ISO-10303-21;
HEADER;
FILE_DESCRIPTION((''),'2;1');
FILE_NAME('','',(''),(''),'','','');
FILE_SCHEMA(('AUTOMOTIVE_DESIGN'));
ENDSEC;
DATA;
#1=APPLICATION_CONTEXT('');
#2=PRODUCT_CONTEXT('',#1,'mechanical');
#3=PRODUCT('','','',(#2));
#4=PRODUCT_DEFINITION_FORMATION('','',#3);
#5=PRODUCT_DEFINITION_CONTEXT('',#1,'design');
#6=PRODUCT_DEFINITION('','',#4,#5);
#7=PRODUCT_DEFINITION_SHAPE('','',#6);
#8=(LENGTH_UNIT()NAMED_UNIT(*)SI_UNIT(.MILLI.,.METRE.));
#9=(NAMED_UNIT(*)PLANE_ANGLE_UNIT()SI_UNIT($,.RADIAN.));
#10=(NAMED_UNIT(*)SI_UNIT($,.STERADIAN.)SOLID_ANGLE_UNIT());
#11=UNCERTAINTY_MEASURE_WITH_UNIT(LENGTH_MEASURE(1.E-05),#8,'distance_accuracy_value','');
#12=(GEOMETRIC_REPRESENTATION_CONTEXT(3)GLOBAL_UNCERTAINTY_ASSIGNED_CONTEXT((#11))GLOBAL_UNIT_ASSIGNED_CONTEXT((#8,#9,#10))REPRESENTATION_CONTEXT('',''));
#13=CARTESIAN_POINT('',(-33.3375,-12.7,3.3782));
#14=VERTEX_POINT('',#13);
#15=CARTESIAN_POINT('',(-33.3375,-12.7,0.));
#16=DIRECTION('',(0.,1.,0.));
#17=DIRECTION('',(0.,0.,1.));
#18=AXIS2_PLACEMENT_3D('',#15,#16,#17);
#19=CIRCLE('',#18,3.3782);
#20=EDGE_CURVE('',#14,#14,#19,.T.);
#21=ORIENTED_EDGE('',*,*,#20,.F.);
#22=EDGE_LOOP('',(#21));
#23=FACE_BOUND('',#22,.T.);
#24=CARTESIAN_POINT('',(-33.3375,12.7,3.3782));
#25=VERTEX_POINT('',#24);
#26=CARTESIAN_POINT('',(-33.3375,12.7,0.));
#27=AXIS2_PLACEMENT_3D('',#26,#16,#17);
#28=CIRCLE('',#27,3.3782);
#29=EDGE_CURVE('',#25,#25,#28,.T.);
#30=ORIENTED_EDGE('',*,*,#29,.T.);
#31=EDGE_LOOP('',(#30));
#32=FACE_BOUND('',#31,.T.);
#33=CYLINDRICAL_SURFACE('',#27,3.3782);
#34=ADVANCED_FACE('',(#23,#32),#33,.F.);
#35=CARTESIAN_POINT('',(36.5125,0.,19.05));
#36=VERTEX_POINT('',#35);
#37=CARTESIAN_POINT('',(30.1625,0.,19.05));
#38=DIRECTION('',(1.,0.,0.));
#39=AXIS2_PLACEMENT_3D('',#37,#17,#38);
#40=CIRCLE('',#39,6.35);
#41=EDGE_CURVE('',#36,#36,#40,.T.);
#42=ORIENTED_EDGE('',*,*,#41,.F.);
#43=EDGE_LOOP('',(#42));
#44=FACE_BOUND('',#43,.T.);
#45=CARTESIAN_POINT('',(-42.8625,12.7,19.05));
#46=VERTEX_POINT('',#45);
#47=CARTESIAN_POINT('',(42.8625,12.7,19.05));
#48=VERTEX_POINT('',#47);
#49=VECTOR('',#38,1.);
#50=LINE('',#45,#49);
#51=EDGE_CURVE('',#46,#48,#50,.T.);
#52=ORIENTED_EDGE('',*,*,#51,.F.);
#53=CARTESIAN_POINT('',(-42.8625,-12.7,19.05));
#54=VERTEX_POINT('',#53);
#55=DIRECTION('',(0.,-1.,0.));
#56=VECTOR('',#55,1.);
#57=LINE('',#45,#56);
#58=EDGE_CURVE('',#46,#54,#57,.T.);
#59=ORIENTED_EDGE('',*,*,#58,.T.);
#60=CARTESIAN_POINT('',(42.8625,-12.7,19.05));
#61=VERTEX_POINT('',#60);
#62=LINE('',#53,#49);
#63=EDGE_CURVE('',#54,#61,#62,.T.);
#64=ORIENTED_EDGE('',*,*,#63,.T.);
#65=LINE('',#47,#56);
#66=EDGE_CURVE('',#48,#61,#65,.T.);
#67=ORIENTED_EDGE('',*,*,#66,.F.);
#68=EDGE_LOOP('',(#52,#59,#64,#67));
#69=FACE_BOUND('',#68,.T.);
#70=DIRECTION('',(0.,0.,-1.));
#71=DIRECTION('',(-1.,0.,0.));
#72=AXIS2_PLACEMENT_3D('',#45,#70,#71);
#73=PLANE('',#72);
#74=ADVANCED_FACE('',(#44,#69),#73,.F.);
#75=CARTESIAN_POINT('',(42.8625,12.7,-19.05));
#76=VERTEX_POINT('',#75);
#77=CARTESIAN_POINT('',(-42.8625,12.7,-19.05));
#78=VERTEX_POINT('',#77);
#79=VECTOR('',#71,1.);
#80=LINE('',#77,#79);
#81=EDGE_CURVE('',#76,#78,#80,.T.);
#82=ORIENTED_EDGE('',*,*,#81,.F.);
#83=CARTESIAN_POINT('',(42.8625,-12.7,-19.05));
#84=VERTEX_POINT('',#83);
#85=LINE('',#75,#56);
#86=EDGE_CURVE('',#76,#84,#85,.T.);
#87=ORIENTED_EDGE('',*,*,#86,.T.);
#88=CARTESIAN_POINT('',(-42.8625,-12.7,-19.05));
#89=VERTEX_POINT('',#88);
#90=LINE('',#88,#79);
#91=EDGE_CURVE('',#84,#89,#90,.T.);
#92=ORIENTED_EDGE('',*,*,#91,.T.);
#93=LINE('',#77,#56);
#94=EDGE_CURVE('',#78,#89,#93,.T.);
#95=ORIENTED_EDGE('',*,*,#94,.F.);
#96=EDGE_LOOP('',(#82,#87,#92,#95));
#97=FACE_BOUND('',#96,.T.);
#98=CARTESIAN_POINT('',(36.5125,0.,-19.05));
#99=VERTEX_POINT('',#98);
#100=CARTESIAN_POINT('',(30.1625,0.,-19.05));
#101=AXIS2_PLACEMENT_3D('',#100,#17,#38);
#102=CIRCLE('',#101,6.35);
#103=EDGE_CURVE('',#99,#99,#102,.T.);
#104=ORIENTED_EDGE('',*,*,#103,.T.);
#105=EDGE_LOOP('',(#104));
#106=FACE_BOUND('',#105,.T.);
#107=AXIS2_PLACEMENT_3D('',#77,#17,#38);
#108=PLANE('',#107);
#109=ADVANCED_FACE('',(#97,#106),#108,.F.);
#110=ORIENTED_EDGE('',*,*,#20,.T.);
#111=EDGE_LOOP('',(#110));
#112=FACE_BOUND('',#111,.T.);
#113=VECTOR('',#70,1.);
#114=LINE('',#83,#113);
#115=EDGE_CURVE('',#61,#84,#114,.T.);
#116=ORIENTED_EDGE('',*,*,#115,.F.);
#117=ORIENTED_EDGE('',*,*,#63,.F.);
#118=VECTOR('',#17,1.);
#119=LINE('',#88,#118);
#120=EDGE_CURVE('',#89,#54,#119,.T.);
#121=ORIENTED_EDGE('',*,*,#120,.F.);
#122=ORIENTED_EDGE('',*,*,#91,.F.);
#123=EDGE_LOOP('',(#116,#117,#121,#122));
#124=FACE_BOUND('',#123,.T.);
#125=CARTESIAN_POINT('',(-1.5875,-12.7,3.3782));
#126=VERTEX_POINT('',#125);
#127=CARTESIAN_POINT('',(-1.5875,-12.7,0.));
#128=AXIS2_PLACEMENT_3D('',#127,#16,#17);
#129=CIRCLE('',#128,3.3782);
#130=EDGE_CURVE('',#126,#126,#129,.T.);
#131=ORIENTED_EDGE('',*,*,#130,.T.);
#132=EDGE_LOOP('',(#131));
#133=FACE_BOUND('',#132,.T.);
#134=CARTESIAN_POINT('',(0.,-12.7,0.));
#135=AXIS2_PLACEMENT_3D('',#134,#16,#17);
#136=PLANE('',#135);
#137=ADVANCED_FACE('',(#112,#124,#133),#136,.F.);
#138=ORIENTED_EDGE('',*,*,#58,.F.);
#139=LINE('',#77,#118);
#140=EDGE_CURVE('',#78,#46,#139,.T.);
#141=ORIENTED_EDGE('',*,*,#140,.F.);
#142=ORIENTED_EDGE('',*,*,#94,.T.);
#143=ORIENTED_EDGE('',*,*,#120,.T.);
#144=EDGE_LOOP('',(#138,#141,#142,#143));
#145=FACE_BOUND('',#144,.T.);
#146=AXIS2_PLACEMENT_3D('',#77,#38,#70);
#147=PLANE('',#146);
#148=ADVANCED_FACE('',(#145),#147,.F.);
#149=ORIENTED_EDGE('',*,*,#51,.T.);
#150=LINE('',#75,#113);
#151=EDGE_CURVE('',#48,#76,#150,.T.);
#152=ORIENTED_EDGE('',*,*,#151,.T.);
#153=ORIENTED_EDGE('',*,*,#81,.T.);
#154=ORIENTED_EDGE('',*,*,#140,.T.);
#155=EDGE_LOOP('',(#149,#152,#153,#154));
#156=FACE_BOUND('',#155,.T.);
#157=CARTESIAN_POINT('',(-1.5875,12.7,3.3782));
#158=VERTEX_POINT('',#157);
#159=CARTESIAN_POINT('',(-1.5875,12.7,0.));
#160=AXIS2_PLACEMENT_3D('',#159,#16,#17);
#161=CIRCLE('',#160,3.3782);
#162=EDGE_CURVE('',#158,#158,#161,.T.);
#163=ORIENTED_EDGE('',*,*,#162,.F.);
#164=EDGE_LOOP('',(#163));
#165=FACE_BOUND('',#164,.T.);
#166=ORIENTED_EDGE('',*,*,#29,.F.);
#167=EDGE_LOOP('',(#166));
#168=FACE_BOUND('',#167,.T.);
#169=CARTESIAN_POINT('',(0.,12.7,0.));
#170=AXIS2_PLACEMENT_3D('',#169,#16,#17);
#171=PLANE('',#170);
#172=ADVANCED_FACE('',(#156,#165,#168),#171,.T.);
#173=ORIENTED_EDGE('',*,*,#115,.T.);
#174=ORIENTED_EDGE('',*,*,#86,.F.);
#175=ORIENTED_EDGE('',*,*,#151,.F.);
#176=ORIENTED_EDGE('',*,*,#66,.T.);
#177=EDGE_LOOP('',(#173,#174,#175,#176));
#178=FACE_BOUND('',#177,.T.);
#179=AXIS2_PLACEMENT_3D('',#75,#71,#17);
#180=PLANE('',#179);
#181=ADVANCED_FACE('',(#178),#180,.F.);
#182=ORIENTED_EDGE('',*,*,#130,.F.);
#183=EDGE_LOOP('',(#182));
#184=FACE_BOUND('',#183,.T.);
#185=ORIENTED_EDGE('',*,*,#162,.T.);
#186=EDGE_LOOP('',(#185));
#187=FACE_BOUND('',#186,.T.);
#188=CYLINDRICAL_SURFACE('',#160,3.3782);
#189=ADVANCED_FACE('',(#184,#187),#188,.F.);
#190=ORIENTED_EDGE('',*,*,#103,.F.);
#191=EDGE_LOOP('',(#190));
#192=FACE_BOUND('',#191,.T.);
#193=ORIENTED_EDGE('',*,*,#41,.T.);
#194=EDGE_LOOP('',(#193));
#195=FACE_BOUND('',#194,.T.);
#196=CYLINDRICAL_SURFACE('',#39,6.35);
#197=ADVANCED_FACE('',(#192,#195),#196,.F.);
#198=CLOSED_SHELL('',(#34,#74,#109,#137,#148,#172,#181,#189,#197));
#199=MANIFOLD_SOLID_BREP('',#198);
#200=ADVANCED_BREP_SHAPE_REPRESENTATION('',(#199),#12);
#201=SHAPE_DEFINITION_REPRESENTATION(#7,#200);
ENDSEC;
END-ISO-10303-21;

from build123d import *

# Parameters (mm, degrees)
SKETCH1_W                  = 85.725
SKETCH1_H                  = 38.1
BOSS_EXTRUDE1_DEPTH        = 12.7
F_1_2_0_5_DIAMETER_HOLE1_D = 12.7
F_1_4_CLEARANCE_HOLE1_D    = 6.7564


with BuildPart() as part:
    # Sketch1 → Boss-Extrude1 (new, symmetric)
    with BuildSketch(Plane(origin=(0, 0, 0), x_dir=(1, 0, 0), z_dir=(0, 1, 0))):
        Rectangle(SKETCH1_W, SKETCH1_H)
    extrude(amount=BOSS_EXTRUDE1_DEPTH, both=True)

    # 1/2 (0.5) Diameter Hole1 (through all)
    with Locations(Plane.XY.offset(19.05)):
        with Locations((30.1625, 0)):
            Hole(F_1_2_0_5_DIAMETER_HOLE1_D / 2)

    # 1/4 Clearance Hole1 (through all)
    with Locations(Plane(origin=(0, 12.7, 0), x_dir=(1, 0, 0), z_dir=(0, 1, 0))):
        with Locations((-33.3375, 0), (-1.5875, 0)):
            Hole(F_1_4_CLEARANCE_HOLE1_D / 2)


solid = part.part
